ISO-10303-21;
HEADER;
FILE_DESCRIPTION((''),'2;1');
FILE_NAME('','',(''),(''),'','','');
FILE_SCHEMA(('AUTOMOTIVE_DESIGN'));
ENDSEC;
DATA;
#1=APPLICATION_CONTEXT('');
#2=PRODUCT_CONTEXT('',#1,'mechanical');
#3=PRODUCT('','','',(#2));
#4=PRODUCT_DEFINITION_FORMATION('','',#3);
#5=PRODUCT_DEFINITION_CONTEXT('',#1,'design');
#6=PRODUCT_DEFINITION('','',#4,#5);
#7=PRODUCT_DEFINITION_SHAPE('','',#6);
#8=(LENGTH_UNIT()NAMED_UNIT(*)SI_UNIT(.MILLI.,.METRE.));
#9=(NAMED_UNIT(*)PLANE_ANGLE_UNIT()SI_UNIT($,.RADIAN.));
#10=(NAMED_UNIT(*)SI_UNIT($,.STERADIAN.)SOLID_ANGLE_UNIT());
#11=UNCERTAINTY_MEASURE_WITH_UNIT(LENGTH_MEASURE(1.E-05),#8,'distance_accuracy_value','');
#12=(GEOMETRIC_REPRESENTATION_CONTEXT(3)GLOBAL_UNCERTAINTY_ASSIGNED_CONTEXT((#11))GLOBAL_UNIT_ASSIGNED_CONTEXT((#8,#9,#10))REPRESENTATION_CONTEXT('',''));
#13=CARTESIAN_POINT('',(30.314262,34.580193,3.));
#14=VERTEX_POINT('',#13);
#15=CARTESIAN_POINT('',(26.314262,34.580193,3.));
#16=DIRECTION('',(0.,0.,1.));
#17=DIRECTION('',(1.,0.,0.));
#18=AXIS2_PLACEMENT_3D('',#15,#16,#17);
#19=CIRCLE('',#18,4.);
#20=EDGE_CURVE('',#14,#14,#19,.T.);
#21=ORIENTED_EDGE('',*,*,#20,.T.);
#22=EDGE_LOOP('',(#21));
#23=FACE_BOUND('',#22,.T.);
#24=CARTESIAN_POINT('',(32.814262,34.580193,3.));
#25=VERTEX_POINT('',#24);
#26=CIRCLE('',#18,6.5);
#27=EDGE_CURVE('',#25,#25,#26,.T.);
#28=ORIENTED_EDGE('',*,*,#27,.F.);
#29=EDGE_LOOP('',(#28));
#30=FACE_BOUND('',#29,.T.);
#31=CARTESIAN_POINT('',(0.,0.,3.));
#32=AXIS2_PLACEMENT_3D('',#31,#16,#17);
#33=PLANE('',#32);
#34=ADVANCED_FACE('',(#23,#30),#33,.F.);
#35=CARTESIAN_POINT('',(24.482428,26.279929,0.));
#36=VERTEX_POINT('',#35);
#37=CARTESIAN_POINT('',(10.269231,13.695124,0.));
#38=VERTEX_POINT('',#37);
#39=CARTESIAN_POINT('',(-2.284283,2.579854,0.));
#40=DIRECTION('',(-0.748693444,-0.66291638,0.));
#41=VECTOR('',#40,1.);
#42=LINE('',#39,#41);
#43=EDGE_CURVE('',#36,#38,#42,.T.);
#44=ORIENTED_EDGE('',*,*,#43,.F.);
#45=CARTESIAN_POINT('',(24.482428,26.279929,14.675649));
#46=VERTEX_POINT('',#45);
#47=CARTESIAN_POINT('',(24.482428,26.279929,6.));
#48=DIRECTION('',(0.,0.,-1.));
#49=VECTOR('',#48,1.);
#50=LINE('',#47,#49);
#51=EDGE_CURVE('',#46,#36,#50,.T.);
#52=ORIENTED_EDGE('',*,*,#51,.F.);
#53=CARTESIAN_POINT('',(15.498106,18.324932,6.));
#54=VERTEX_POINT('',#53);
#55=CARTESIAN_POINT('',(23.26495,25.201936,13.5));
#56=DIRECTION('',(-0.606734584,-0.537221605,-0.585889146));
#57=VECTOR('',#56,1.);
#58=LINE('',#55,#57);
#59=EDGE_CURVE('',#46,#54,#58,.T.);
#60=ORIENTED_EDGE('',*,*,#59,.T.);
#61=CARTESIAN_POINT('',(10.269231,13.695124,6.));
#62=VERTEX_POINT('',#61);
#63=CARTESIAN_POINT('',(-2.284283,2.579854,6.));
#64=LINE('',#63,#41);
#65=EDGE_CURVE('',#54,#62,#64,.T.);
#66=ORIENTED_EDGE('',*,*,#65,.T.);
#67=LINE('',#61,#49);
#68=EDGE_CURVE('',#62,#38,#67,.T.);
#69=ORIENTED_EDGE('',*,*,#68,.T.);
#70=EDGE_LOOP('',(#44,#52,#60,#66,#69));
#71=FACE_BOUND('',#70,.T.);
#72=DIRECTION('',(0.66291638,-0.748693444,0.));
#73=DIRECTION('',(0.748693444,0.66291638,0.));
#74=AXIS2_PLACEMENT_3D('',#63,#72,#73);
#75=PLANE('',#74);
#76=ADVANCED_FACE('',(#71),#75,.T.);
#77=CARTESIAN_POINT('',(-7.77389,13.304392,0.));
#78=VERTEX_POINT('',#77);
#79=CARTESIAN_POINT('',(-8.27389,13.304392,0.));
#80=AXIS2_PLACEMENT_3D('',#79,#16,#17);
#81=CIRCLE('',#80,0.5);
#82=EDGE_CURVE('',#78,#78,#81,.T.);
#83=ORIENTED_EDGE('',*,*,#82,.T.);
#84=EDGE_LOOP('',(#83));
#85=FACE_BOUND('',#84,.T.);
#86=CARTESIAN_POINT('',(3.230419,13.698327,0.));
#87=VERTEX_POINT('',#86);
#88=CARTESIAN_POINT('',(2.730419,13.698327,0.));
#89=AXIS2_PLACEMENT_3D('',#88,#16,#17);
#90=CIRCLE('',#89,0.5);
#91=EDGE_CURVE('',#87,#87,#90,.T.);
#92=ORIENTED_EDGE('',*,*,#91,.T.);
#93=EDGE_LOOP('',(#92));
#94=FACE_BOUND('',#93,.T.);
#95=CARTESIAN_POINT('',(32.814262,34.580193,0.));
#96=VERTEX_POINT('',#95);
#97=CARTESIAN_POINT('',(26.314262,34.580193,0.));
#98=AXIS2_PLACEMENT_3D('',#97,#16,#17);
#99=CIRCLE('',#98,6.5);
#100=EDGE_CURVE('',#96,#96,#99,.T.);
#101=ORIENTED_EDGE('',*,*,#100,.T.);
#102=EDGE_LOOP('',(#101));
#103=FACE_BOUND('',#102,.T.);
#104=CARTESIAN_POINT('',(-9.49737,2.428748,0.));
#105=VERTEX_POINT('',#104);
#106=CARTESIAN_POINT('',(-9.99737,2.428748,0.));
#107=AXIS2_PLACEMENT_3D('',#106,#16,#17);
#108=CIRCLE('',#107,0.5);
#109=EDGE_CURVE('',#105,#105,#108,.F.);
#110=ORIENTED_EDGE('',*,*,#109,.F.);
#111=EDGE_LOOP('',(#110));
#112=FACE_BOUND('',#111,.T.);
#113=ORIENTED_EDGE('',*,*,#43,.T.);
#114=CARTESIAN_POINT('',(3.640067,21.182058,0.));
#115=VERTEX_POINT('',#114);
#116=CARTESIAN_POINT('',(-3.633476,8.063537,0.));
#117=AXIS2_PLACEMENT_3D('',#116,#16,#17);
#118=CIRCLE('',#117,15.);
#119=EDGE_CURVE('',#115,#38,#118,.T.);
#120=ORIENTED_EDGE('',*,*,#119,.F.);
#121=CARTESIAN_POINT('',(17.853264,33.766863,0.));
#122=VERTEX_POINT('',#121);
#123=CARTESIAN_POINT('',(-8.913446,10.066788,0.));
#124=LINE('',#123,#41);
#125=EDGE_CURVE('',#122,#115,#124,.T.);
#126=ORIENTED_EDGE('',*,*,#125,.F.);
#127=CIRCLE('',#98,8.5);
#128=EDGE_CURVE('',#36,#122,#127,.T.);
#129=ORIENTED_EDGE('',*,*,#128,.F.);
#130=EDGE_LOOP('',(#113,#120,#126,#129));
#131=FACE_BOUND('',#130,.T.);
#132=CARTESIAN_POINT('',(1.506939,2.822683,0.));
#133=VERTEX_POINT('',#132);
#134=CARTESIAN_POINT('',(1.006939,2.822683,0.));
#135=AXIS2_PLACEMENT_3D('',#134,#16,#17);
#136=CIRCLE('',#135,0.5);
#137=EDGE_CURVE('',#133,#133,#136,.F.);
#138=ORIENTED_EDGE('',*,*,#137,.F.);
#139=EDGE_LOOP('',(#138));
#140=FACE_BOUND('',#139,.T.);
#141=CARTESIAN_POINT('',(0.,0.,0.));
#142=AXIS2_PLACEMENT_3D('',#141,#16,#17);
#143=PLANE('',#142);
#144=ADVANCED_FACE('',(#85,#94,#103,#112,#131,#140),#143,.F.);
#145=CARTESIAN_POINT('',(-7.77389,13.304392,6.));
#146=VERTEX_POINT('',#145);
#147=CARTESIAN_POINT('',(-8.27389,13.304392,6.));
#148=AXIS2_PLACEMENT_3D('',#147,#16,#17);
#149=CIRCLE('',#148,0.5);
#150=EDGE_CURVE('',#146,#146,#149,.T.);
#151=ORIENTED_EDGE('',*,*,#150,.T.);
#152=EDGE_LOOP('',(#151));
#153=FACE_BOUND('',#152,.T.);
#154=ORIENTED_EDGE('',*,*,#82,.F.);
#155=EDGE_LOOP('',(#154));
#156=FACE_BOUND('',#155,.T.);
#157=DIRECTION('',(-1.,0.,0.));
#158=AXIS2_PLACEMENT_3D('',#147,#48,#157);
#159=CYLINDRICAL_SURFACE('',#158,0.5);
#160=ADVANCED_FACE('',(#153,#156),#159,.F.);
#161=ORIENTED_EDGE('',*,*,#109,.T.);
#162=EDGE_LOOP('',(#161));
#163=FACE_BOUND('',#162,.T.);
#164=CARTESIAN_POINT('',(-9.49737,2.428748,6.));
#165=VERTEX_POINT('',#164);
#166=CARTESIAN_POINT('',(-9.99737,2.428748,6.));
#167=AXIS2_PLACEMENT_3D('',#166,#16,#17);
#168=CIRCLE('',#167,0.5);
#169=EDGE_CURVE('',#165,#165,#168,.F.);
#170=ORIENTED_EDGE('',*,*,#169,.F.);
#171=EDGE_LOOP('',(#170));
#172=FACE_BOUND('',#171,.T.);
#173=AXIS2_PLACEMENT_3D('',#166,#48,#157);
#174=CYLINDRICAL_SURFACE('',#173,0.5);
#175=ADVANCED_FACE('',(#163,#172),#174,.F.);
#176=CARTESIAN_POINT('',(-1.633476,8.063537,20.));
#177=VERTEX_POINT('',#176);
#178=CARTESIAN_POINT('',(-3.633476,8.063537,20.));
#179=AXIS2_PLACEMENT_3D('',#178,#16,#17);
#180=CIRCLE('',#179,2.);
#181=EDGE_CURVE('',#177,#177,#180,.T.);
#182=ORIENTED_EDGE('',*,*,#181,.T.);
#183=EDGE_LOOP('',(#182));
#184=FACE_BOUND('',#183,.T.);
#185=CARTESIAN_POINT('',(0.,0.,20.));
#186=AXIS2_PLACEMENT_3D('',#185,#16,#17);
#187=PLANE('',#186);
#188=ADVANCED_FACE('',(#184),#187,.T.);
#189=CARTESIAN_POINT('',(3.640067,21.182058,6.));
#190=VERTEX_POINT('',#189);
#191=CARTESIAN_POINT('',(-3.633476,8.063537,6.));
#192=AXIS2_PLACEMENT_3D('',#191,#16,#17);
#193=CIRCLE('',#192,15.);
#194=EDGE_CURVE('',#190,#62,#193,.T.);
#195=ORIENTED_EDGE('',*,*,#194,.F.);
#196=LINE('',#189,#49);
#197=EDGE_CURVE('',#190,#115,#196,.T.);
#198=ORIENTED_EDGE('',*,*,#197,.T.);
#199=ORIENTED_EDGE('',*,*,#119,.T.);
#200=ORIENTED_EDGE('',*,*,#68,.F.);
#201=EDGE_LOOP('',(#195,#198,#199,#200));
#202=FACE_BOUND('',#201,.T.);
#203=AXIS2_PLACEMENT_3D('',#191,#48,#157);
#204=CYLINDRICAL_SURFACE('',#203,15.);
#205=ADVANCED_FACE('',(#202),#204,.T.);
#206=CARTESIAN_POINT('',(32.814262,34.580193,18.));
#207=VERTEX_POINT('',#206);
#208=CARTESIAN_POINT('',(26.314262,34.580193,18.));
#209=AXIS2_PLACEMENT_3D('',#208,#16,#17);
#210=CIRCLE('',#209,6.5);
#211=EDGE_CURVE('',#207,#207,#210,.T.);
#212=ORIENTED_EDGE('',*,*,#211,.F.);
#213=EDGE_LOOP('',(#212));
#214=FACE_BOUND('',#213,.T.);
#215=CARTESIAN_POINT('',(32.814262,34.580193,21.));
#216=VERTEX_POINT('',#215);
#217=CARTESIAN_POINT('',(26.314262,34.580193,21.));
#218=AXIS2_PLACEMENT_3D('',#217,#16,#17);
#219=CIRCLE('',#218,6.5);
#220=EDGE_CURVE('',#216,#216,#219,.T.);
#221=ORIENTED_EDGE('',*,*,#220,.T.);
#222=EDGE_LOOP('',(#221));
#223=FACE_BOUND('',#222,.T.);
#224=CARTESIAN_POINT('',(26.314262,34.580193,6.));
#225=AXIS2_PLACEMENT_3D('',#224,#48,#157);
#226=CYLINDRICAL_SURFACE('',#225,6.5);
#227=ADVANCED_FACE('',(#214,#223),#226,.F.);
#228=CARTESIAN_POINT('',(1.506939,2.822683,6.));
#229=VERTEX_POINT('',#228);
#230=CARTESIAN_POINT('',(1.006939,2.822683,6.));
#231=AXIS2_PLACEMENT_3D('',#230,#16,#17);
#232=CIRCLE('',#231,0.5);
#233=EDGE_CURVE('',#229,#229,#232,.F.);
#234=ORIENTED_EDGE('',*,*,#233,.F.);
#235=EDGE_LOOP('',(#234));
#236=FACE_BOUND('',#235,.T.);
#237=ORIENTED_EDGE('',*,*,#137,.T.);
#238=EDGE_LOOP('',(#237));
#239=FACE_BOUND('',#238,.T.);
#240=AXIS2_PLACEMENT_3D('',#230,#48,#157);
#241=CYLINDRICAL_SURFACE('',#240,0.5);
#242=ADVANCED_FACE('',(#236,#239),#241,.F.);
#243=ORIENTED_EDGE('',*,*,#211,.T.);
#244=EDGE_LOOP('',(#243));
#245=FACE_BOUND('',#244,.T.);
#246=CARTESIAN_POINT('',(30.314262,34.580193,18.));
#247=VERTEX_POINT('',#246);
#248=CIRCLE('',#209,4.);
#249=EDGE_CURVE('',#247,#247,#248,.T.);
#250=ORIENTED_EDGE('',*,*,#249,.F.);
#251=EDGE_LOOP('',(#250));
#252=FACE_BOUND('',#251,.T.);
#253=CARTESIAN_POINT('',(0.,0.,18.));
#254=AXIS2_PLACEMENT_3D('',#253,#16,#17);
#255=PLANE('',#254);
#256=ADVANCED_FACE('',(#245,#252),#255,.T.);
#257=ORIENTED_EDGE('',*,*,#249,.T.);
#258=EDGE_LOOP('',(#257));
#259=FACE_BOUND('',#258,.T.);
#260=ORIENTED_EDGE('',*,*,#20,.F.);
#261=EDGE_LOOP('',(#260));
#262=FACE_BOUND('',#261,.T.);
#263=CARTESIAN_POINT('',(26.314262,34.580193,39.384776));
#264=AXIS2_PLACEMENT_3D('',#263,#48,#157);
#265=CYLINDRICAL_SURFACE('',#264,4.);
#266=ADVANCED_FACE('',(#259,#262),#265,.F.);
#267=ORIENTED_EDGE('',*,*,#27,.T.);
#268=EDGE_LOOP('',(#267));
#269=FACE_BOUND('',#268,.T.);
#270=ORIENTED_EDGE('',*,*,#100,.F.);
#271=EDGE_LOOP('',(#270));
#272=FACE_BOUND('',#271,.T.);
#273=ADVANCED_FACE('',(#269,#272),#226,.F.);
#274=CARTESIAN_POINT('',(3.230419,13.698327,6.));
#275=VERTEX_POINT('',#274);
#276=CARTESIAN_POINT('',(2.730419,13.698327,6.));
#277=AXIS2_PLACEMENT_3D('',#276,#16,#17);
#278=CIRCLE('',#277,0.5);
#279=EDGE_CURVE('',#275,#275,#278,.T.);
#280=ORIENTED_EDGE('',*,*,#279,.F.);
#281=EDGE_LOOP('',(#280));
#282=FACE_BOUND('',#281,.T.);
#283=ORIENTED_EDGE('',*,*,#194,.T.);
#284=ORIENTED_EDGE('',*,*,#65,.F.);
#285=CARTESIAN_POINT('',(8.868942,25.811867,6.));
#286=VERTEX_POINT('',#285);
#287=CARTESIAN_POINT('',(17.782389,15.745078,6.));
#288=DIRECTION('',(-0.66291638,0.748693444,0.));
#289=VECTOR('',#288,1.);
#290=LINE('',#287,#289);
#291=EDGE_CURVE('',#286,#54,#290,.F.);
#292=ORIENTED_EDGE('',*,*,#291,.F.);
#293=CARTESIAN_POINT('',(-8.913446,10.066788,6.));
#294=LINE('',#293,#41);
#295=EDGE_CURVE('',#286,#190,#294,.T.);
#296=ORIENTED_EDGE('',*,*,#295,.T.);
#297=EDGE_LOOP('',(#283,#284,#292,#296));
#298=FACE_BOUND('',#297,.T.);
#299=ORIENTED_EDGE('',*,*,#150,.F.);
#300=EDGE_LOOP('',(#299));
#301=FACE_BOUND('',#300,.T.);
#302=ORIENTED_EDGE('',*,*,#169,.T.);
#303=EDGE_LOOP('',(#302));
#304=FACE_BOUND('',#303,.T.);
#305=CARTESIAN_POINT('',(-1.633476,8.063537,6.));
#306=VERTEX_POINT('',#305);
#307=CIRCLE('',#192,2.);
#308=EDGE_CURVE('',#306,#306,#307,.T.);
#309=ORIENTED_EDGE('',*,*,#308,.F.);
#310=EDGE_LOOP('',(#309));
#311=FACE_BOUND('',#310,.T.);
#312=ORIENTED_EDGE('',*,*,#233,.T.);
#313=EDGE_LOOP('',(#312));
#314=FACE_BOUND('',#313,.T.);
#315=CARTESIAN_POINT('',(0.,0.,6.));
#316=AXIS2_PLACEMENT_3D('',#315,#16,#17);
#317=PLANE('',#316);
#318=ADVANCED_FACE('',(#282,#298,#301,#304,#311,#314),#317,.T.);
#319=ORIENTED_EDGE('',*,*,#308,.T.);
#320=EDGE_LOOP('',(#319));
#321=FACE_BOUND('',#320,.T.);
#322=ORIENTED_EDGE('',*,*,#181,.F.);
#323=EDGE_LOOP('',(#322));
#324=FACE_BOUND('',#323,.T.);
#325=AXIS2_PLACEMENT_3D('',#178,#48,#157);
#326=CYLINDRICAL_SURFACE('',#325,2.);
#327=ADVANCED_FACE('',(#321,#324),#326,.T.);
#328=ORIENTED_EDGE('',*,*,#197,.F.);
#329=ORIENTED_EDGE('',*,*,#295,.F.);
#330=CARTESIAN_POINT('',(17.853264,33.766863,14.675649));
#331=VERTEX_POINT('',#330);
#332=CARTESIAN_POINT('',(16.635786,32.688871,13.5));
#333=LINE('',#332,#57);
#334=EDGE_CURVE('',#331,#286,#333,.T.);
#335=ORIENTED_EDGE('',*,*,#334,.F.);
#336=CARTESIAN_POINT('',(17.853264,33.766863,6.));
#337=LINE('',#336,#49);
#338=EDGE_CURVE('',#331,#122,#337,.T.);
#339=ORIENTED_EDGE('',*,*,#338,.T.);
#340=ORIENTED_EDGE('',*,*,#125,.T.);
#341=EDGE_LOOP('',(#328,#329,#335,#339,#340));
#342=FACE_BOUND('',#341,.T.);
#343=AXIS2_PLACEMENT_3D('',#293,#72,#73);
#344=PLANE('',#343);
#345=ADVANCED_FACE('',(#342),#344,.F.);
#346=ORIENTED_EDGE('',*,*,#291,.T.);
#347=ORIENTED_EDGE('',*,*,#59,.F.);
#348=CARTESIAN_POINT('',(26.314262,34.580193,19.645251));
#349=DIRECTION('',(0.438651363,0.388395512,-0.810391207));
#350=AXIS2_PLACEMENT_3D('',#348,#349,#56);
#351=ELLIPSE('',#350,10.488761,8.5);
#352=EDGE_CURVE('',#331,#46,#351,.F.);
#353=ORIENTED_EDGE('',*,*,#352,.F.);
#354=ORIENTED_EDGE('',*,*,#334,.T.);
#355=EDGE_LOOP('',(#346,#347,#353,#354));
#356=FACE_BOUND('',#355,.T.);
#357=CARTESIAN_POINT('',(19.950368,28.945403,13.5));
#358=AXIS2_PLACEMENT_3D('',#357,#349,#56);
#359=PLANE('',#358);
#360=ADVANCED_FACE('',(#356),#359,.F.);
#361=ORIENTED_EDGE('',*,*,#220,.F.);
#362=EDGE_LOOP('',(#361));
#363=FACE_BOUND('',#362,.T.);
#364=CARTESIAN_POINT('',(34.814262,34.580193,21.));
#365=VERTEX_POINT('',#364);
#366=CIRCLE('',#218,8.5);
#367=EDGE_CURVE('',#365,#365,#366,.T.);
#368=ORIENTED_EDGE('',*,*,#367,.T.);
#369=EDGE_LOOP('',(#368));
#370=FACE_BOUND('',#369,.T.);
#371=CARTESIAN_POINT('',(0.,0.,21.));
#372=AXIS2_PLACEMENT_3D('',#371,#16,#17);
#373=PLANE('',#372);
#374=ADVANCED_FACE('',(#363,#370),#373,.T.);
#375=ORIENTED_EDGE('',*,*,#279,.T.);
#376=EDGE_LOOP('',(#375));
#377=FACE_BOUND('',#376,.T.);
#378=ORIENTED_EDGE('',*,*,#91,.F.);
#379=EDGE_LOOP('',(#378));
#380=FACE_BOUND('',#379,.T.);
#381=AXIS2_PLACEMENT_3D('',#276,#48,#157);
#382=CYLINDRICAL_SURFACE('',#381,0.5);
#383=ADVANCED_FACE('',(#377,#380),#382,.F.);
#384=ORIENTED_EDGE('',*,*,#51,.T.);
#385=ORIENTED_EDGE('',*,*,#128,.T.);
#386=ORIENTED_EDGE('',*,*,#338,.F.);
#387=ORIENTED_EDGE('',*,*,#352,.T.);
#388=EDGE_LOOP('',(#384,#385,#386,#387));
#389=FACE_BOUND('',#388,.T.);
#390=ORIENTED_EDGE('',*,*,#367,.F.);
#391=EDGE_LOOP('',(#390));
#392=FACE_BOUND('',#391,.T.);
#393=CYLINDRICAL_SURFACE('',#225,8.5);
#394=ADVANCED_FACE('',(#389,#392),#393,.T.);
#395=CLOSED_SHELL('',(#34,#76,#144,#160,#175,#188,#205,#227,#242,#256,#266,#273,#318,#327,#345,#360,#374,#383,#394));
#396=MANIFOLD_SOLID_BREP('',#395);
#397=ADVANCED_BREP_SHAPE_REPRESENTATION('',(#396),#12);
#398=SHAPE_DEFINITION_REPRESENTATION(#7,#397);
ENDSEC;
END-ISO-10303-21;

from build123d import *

# Parameters (mm, degrees)
SKETCH2_R            = 6.5
SKETCH2_R_2          = 0.5
SKETCH2_R_3          = 2
BOSS_EXTRUDE2_DEPTH  = 6
SKETCH2_14_R         = 2
BOSS_EXTRUDE9_DEPTH  = 20
BOSS_EXTRUDE5_START  = 6
SKETCH2_7_R          = 8.5
SKETCH2_7_R_2        = 6.5
BOSS_EXTRUDE5_DEPTH  = 15
BOSS_EXTRUDE10_START = 3
SKETCH2_16_R         = 6.5
SKETCH2_16_R_2       = 4
BOSS_EXTRUDE10_DEPTH = 15
RIB20_REACH          = 60.526
SKETCH6_WALL_W       = 131.852983596
SKETCH6_WALL_H       = 10


with BuildPart() as part:
    # Sketch2 → Boss-Extrude2 (new body)
    with BuildSketch(Plane.XY):
        with BuildLine():
            Line((10.269230614, 13.695123544), (24.482427586, 26.279928647))
            ThreePointArc((24.482427586, 26.279928647), (32.678156537, 40.21498183), (17.85326379, 33.766863091))
            Line((17.85326379, 33.766863091), (3.640066818, 21.182057988))
            ThreePointArc((3.640066818, 21.182057988), (-14.86387718, -1.880208276), (10.269230614, 13.695123544))
        make_face()
        with Locations((26.31426226, 34.580192603)):
            Circle(SKETCH2_R, mode=Mode.SUBTRACT)
        with Locations((2.730418762, 13.698326645)):
            Circle(SKETCH2_R_2, mode=Mode.SUBTRACT)
        with Locations((-9.997369792, 2.428748191)):
            Circle(SKETCH2_R_2, mode=Mode.SUBTRACT)
        with Locations((1.006939142, 2.822683307)):
            Circle(SKETCH2_R_2, mode=Mode.SUBTRACT)
        with Locations((-8.273890172, 13.304391529)):
            Circle(SKETCH2_R_2, mode=Mode.SUBTRACT)
        with Locations((-3.633475515, 8.063537418)):
            Circle(SKETCH2_R_3, mode=Mode.SUBTRACT)
    extrude(amount=BOSS_EXTRUDE2_DEPTH)

    # Sketch2<14> → Boss-Extrude9 (add)
    with BuildSketch(Plane.XY):
        with Locations((-3.633475515, 8.063537418)):
            Circle(SKETCH2_14_R)
    extrude(amount=BOSS_EXTRUDE9_DEPTH)

    # Sketch2<7> → Boss-Extrude5 (add)
    with BuildSketch(Plane.XY.offset(BOSS_EXTRUDE5_START)):
        with Locations(Location((26.31426226, 34.580192603, 0), (0, 0, 185.490794513))):
            Circle(SKETCH2_7_R)
        with Locations((26.31426226, 34.580192603)):
            Circle(SKETCH2_7_R_2, mode=Mode.SUBTRACT)
    extrude(amount=BOSS_EXTRUDE5_DEPTH)

    # Sketch2<16> → Boss-Extrude10 (add)
    with BuildSketch(Plane.XY.offset(BOSS_EXTRUDE10_START)):
        with Locations((26.31426226, 34.580192603)):
            Circle(SKETCH2_16_R)
        with Locations((26.31426226, 34.580192603)):
            Circle(SKETCH2_16_R_2, mode=Mode.SUBTRACT)
    extrude(amount=BOSS_EXTRUDE10_DEPTH)

    # Sketch6 wall → Rib20 (add, up to next)
    with BuildSketch(Plane(origin=(16.066946169, 25.506901345, 9.75), x_dir=(-0.606734584094, -0.537221605037, -0.585889146124), z_dir=(-0.438651362827, -0.388395511607, 0.810391207044)), mode=Mode.PRIVATE) as rib20_sk1:
        Rectangle(SKETCH6_WALL_W, SKETCH6_WALL_H)
    rib20_tool1 = extrude(rib20_sk1.sketch, amount=-RIB20_REACH, mode=Mode.PRIVATE) - part.part
    add(rib20_tool1.solids().sort_by_distance((16.066946169, 25.506901345, 9.75))[0])


solid = part.part
